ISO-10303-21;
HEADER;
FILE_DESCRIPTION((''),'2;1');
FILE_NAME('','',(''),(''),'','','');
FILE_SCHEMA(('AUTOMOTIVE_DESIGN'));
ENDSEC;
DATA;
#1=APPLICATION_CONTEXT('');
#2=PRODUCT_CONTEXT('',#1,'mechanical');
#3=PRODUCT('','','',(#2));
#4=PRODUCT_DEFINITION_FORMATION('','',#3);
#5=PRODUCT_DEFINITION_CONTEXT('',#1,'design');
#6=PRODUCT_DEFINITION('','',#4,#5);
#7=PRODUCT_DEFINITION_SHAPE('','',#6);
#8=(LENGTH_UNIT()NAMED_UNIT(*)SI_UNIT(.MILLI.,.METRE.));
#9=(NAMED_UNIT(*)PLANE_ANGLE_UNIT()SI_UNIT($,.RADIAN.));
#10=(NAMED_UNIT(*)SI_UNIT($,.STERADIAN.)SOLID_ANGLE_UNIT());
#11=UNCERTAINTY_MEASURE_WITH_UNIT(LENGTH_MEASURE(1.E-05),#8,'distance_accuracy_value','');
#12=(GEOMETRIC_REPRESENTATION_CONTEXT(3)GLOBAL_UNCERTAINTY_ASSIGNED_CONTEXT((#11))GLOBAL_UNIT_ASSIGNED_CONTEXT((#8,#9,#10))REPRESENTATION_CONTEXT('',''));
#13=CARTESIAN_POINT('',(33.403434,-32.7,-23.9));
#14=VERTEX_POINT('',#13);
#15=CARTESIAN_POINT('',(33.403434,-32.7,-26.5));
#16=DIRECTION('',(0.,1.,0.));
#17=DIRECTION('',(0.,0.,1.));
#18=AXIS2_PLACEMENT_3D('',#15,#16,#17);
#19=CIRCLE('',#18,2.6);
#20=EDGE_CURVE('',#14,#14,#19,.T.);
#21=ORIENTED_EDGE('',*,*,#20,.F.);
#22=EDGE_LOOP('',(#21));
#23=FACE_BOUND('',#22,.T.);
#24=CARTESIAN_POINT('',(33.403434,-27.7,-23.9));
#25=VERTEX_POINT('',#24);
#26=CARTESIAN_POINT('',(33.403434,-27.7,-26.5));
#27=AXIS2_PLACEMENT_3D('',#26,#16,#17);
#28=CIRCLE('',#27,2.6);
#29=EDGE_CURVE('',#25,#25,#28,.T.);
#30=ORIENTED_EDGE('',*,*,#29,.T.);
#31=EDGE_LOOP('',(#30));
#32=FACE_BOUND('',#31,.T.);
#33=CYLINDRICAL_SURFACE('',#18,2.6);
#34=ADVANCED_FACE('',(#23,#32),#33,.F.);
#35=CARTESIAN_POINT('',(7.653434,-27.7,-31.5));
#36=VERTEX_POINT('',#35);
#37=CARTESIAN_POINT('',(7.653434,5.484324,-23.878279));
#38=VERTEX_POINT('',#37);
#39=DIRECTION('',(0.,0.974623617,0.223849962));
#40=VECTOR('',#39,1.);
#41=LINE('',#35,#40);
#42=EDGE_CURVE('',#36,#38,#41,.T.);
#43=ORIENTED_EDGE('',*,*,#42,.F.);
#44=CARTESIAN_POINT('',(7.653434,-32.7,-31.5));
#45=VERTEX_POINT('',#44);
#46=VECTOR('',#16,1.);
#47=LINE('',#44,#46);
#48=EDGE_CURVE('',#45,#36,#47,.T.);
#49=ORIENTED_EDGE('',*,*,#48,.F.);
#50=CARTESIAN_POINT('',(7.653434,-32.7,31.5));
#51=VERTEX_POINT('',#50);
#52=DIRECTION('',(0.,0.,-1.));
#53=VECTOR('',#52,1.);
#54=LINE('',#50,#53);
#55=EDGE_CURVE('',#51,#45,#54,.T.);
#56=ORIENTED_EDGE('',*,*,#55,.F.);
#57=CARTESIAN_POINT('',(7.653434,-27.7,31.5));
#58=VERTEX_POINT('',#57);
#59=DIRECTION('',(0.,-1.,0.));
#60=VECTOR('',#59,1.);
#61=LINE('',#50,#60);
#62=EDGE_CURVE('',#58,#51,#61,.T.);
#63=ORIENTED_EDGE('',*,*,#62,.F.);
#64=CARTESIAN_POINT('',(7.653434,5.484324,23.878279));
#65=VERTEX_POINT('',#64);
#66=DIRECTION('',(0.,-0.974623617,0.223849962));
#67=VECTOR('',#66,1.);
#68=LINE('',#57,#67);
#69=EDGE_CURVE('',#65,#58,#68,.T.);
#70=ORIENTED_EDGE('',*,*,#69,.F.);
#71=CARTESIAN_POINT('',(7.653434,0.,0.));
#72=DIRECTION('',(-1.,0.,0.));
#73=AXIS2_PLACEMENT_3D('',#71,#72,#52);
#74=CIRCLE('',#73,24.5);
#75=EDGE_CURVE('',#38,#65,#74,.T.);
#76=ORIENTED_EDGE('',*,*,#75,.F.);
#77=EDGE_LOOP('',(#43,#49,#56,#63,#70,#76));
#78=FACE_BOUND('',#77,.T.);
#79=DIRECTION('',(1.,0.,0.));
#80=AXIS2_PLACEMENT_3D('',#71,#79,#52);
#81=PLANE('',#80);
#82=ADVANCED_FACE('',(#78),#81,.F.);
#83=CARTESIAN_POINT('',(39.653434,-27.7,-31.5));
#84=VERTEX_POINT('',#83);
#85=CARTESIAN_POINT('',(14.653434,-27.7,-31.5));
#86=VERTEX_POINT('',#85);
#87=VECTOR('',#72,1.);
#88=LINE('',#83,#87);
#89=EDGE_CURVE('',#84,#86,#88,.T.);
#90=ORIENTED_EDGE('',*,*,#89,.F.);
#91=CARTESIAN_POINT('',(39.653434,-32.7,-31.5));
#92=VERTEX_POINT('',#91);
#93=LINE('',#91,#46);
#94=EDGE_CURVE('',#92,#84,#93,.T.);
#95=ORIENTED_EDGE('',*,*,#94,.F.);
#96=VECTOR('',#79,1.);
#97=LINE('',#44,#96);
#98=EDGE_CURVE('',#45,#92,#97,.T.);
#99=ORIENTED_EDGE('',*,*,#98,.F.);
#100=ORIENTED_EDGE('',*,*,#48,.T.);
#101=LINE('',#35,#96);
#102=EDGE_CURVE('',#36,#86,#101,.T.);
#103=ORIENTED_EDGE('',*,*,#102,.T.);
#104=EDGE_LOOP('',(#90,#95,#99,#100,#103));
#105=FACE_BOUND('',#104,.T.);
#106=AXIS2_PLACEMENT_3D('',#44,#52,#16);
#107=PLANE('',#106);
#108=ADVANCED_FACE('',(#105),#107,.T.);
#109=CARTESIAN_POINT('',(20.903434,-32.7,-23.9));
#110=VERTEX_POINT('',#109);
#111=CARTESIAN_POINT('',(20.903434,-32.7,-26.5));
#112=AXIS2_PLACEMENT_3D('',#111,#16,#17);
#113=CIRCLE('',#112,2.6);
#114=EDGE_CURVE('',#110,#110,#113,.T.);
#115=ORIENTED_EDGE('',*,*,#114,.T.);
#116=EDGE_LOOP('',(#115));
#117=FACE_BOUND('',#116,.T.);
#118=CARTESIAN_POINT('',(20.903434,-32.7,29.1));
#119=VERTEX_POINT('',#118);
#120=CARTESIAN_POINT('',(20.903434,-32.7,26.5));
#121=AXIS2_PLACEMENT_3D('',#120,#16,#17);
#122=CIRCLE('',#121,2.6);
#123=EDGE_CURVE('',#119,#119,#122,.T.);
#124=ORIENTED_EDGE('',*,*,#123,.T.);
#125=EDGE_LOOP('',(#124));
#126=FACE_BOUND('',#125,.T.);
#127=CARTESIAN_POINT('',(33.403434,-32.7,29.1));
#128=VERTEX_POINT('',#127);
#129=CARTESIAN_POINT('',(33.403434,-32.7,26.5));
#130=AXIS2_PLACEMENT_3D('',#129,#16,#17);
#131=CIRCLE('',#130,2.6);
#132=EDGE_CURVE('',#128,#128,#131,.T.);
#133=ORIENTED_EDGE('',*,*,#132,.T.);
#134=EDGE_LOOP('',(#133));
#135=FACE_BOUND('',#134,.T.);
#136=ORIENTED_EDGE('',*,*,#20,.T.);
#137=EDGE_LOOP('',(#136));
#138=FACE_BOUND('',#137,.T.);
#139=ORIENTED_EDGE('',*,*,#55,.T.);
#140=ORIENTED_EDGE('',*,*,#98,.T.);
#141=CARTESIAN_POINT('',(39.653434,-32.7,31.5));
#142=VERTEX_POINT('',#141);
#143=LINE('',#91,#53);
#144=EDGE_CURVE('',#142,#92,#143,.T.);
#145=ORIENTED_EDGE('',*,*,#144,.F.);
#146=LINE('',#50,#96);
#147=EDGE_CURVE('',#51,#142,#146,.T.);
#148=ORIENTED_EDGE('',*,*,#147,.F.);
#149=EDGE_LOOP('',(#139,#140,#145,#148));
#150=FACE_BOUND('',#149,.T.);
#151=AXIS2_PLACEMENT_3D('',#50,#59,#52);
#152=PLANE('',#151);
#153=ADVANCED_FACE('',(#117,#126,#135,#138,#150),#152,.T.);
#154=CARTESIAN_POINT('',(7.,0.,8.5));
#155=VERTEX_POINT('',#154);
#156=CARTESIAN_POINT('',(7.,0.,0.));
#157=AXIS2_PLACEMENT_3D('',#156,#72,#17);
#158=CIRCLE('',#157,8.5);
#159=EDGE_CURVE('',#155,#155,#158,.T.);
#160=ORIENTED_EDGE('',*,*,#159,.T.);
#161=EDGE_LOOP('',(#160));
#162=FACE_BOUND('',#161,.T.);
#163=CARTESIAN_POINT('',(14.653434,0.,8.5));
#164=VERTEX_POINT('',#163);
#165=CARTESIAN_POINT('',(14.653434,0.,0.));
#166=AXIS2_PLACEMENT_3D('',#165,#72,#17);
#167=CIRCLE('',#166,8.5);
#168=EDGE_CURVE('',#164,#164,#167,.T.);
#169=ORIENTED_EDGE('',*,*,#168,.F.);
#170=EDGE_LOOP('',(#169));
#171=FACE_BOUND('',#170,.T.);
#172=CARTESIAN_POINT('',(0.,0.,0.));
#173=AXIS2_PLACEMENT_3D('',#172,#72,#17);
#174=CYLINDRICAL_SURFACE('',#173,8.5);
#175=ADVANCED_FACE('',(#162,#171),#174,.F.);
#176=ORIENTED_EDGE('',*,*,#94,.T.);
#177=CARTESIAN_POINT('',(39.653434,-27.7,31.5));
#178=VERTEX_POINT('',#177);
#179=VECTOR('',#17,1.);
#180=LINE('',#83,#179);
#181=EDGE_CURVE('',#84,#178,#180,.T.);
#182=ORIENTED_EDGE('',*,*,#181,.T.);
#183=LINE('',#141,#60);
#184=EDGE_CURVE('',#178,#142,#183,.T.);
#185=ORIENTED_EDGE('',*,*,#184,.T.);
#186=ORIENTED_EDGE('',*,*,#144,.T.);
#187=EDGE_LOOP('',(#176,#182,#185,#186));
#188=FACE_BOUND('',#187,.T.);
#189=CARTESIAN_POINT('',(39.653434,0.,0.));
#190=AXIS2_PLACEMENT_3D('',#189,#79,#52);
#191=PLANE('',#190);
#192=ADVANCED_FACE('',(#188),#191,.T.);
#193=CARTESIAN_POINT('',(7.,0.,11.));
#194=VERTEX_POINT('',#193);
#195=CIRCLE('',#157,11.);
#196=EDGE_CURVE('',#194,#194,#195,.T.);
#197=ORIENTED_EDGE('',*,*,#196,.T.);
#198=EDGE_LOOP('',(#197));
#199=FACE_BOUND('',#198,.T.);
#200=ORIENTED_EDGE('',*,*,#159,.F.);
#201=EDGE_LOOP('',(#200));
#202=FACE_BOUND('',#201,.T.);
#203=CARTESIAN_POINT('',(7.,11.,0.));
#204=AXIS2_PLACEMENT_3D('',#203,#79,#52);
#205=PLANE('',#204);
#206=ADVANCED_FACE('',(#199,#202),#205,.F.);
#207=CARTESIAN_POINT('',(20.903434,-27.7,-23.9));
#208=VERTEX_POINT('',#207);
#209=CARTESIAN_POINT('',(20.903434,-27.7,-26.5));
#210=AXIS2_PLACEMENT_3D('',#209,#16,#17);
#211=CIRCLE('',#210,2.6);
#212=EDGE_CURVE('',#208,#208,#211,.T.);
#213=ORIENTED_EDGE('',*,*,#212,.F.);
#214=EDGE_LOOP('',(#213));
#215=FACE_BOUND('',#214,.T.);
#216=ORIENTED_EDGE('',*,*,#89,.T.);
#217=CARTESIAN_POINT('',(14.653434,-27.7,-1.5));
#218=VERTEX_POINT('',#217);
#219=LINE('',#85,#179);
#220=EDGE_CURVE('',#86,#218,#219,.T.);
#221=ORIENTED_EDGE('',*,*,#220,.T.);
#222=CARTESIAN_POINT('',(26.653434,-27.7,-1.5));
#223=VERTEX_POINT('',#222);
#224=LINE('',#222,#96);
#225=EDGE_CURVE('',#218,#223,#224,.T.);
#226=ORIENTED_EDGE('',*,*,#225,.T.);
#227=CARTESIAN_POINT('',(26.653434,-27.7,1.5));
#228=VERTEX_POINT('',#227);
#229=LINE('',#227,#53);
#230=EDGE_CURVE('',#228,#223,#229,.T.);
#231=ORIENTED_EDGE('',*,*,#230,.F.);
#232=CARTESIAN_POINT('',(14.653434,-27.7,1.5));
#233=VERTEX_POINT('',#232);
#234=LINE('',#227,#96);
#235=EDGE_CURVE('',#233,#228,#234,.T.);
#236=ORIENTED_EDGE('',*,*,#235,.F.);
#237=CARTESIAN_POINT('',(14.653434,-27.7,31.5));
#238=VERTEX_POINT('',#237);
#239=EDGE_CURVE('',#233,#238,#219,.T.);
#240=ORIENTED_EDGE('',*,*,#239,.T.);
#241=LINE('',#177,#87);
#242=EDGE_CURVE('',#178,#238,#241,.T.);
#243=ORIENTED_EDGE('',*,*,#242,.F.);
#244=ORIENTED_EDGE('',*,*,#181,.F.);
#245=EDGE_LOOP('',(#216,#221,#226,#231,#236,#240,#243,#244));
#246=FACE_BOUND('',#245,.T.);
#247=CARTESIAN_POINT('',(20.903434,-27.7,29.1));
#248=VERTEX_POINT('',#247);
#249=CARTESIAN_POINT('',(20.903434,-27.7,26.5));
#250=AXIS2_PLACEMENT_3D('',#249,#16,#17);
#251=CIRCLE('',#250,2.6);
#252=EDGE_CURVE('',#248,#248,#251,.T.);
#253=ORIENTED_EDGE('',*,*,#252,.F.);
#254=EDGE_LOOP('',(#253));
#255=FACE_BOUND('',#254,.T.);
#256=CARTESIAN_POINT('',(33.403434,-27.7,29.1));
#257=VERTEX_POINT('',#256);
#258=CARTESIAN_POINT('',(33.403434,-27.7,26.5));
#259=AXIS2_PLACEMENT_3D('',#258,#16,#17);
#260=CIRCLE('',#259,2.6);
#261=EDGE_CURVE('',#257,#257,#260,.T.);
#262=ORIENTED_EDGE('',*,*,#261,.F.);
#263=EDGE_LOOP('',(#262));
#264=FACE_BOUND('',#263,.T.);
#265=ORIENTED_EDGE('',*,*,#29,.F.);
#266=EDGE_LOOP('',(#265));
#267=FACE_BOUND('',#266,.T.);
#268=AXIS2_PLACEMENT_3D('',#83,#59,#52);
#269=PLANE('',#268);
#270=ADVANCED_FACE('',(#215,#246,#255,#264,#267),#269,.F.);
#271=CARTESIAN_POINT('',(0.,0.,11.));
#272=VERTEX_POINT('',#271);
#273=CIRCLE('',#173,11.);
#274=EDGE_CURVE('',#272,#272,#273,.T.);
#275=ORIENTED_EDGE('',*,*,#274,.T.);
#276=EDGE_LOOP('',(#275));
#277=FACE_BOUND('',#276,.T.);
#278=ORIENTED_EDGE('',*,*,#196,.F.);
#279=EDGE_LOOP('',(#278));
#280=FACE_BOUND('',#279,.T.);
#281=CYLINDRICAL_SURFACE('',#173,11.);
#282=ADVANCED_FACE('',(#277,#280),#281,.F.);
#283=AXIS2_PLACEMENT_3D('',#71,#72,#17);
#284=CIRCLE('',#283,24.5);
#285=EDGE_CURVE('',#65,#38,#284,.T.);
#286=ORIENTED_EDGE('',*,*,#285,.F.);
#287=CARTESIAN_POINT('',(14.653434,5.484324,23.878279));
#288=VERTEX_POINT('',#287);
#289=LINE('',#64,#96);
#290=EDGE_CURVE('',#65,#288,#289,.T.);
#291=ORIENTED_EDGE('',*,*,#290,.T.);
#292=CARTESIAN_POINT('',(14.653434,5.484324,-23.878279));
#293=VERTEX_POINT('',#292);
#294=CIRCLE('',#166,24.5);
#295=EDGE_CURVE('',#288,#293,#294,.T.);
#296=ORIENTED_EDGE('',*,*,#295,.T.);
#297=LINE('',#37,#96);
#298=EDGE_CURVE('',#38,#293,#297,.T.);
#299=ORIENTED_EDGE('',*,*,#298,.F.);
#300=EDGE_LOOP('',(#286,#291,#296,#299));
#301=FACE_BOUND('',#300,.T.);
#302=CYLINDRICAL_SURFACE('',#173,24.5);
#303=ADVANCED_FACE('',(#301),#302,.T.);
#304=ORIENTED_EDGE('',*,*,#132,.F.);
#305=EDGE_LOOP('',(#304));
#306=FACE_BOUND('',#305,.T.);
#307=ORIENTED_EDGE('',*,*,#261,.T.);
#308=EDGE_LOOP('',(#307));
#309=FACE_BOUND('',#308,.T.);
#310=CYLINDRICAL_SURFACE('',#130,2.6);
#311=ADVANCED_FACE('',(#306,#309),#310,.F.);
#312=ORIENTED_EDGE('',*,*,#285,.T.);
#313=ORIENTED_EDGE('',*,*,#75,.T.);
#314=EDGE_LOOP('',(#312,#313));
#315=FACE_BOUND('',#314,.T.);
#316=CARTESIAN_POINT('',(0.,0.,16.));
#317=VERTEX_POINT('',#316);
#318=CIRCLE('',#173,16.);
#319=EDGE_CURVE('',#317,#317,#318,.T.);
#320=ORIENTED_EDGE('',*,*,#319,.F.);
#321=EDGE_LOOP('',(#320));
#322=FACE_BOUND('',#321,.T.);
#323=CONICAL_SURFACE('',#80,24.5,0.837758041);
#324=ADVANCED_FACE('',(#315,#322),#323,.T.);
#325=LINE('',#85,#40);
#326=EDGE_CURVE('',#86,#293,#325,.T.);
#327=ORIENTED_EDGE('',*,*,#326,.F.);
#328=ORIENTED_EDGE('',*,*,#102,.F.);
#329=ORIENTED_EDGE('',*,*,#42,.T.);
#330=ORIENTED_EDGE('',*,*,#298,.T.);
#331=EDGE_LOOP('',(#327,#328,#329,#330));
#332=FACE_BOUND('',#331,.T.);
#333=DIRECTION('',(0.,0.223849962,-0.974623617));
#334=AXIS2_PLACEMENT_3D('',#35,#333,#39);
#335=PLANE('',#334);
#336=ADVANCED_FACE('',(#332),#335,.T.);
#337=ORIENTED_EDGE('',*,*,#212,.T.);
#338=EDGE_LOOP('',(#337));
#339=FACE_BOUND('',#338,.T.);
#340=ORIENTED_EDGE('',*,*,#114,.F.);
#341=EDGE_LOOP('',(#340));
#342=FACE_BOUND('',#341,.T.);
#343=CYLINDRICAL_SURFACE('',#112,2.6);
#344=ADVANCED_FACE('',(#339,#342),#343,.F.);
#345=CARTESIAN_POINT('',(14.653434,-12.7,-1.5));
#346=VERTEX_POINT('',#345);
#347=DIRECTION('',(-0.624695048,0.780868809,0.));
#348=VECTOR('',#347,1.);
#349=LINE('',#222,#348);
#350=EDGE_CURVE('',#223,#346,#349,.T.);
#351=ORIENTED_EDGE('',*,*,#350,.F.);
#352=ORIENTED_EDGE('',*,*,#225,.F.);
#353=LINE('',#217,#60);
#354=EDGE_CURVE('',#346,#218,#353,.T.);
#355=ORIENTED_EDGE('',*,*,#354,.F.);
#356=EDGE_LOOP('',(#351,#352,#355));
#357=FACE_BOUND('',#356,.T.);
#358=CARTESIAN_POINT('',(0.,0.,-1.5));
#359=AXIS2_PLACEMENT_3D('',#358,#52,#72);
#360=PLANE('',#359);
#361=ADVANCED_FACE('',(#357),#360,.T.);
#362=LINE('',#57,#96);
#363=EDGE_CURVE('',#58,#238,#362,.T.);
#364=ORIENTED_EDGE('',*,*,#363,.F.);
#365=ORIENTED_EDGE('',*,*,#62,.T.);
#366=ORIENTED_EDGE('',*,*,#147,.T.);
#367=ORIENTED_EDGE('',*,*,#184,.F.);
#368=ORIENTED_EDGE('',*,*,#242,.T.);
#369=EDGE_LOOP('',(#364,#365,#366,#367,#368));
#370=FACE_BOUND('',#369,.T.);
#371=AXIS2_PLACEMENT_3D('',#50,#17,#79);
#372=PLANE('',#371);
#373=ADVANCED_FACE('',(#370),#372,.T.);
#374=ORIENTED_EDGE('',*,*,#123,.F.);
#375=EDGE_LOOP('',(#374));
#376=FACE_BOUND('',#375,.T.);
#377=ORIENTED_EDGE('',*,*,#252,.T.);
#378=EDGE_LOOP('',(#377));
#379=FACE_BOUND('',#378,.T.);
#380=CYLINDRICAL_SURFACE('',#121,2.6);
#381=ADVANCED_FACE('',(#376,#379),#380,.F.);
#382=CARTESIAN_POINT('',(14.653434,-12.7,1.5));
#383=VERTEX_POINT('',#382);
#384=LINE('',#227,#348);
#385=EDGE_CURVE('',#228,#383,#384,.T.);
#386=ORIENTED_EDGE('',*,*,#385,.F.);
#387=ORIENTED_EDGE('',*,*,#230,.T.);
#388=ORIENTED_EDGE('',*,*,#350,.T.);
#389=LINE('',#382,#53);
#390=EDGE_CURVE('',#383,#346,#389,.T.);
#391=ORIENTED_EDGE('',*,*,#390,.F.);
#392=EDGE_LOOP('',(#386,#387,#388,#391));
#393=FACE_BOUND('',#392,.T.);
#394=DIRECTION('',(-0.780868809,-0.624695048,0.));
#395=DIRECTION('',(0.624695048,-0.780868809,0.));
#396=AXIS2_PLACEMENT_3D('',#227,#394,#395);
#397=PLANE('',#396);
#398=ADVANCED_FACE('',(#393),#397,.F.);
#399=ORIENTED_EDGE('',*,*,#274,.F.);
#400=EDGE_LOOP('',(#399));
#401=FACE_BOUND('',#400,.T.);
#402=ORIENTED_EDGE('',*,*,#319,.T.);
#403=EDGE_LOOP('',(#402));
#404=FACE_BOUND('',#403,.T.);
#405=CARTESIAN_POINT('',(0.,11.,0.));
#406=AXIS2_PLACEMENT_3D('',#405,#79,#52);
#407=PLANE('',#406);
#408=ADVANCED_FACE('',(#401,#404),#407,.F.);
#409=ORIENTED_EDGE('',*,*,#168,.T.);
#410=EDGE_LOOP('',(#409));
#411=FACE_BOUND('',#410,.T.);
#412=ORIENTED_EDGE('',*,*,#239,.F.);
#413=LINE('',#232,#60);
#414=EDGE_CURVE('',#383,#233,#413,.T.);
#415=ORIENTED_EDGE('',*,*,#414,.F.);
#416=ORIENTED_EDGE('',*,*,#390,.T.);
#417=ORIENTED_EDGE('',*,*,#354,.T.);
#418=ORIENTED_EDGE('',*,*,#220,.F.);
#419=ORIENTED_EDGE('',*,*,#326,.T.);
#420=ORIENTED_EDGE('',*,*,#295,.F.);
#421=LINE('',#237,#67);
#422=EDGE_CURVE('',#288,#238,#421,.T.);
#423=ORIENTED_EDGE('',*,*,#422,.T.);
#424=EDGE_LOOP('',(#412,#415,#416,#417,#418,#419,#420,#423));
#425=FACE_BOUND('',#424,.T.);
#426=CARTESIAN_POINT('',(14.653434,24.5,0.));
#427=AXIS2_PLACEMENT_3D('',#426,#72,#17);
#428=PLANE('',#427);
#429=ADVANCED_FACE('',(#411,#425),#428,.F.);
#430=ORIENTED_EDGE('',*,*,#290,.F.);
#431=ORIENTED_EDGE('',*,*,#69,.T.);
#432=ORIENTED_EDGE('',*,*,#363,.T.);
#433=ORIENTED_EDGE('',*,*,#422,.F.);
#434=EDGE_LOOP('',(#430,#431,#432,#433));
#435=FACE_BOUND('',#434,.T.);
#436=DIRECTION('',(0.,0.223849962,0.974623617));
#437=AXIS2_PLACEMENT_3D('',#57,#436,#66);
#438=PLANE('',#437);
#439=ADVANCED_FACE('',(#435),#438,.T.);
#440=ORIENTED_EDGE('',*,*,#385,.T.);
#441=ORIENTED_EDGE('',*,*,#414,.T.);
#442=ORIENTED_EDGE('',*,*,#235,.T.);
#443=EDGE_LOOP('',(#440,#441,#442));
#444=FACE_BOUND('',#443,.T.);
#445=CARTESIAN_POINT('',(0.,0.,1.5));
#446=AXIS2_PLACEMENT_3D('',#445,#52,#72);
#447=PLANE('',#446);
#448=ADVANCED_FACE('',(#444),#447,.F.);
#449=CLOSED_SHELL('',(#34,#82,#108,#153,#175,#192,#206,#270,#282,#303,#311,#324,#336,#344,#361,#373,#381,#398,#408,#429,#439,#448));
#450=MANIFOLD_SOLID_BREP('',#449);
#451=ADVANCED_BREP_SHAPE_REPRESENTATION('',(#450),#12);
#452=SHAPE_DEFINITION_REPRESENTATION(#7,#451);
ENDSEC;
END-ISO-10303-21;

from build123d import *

# Parameters (mm, degrees)
BOSS_EXTRUDE1_START = -7
BOSS_EXTRUDE1_DEPTH = 7
SKETCH6_W           = 63
SKETCH6_H           = 5
BOSS_EXTRUDE2_DEPTH = 25
SKETCH7_R           = 2.6
CUT_EXTRUDE1_DEPTH  = 73.728844744
BOSS_EXTRUDE3_DEPTH = 1.5


with BuildPart() as part:
    # Sketch4 → Revolve1 (revolve)
    with BuildSketch(Plane.XY, mode=Mode.PRIVATE) as revolve1_sk:
        Polygon((0, 11), (7, 11), (7, 8.5), (14.653434377, 8.5), (14.653434377, 24.5), (7.653434377, 24.5), (0, 16), align=None)
    revolve(revolve1_sk.sketch.rotate(Axis((0, 0, 0), (1, 0, 0)), 90), axis=Axis((0, 0, 0), (1, 0, 0)))

    # Sketch5 → Boss-Extrude1 (add)
    with BuildSketch(Plane(origin=(14.653434377, 0, 0), x_dir=(0, 0, -1), z_dir=(1, 0, 0)).offset(BOSS_EXTRUDE1_START)):
        with BuildLine():
            Line((-31.5, -32.7), (31.5, -32.7))
            Line((31.5, -32.7), (31.5, -27.7))
            Line((31.5, -27.7), (23.878278615, 5.484324057))
            ThreePointArc((23.878278615, 5.484324057), (0, -24.5), (-23.878278615, 5.484324057))
            Line((-23.878278615, 5.484324057), (-31.5, -27.7))
            Line((-31.5, -27.7), (-31.5, -32.7))
        make_face()
    extrude(amount=BOSS_EXTRUDE1_DEPTH)

    # Sketch6 → Boss-Extrude2 (add)
    with BuildSketch(Plane(origin=(14.653434377, 0, 0), x_dir=(0, 0, -1), z_dir=(1, 0, 0))):
        with Locations((0, -30.2)):
            Rectangle(SKETCH6_W, SKETCH6_H)
    extrude(amount=BOSS_EXTRUDE2_DEPTH)

    # Sketch7 → Cut-Extrude1 (cut, through all)
    with BuildSketch(Plane(origin=(0, -27.7, 0), x_dir=(1, 0, 0), z_dir=(0, 1, 0))):
        with Locations(Location((20.903434377, 26.5, 0), (0, 0, 270))):
            Circle(SKETCH7_R)
        with Locations(Location((33.403434377, 26.5, 0), (0, 0, 270))):
            Circle(SKETCH7_R)
        with Locations(Location((33.403434377, -26.5, 0), (0, 0, 270))):
            Circle(SKETCH7_R)
        with Locations(Location((20.903434377, -26.5, 0), (0, 0, 270))):
            Circle(SKETCH7_R)
    extrude(amount=-CUT_EXTRUDE1_DEPTH, mode=Mode.SUBTRACT)

    # Sketch8 → Boss-Extrude3 (add, symmetric)
    with BuildSketch(Plane.XY):
        Polygon((26.653434377, -27.7), (14.653434377, -12.7), (14.653434377, -27.7), align=None)
    extrude(amount=BOSS_EXTRUDE3_DEPTH, both=True)


solid = part.part
